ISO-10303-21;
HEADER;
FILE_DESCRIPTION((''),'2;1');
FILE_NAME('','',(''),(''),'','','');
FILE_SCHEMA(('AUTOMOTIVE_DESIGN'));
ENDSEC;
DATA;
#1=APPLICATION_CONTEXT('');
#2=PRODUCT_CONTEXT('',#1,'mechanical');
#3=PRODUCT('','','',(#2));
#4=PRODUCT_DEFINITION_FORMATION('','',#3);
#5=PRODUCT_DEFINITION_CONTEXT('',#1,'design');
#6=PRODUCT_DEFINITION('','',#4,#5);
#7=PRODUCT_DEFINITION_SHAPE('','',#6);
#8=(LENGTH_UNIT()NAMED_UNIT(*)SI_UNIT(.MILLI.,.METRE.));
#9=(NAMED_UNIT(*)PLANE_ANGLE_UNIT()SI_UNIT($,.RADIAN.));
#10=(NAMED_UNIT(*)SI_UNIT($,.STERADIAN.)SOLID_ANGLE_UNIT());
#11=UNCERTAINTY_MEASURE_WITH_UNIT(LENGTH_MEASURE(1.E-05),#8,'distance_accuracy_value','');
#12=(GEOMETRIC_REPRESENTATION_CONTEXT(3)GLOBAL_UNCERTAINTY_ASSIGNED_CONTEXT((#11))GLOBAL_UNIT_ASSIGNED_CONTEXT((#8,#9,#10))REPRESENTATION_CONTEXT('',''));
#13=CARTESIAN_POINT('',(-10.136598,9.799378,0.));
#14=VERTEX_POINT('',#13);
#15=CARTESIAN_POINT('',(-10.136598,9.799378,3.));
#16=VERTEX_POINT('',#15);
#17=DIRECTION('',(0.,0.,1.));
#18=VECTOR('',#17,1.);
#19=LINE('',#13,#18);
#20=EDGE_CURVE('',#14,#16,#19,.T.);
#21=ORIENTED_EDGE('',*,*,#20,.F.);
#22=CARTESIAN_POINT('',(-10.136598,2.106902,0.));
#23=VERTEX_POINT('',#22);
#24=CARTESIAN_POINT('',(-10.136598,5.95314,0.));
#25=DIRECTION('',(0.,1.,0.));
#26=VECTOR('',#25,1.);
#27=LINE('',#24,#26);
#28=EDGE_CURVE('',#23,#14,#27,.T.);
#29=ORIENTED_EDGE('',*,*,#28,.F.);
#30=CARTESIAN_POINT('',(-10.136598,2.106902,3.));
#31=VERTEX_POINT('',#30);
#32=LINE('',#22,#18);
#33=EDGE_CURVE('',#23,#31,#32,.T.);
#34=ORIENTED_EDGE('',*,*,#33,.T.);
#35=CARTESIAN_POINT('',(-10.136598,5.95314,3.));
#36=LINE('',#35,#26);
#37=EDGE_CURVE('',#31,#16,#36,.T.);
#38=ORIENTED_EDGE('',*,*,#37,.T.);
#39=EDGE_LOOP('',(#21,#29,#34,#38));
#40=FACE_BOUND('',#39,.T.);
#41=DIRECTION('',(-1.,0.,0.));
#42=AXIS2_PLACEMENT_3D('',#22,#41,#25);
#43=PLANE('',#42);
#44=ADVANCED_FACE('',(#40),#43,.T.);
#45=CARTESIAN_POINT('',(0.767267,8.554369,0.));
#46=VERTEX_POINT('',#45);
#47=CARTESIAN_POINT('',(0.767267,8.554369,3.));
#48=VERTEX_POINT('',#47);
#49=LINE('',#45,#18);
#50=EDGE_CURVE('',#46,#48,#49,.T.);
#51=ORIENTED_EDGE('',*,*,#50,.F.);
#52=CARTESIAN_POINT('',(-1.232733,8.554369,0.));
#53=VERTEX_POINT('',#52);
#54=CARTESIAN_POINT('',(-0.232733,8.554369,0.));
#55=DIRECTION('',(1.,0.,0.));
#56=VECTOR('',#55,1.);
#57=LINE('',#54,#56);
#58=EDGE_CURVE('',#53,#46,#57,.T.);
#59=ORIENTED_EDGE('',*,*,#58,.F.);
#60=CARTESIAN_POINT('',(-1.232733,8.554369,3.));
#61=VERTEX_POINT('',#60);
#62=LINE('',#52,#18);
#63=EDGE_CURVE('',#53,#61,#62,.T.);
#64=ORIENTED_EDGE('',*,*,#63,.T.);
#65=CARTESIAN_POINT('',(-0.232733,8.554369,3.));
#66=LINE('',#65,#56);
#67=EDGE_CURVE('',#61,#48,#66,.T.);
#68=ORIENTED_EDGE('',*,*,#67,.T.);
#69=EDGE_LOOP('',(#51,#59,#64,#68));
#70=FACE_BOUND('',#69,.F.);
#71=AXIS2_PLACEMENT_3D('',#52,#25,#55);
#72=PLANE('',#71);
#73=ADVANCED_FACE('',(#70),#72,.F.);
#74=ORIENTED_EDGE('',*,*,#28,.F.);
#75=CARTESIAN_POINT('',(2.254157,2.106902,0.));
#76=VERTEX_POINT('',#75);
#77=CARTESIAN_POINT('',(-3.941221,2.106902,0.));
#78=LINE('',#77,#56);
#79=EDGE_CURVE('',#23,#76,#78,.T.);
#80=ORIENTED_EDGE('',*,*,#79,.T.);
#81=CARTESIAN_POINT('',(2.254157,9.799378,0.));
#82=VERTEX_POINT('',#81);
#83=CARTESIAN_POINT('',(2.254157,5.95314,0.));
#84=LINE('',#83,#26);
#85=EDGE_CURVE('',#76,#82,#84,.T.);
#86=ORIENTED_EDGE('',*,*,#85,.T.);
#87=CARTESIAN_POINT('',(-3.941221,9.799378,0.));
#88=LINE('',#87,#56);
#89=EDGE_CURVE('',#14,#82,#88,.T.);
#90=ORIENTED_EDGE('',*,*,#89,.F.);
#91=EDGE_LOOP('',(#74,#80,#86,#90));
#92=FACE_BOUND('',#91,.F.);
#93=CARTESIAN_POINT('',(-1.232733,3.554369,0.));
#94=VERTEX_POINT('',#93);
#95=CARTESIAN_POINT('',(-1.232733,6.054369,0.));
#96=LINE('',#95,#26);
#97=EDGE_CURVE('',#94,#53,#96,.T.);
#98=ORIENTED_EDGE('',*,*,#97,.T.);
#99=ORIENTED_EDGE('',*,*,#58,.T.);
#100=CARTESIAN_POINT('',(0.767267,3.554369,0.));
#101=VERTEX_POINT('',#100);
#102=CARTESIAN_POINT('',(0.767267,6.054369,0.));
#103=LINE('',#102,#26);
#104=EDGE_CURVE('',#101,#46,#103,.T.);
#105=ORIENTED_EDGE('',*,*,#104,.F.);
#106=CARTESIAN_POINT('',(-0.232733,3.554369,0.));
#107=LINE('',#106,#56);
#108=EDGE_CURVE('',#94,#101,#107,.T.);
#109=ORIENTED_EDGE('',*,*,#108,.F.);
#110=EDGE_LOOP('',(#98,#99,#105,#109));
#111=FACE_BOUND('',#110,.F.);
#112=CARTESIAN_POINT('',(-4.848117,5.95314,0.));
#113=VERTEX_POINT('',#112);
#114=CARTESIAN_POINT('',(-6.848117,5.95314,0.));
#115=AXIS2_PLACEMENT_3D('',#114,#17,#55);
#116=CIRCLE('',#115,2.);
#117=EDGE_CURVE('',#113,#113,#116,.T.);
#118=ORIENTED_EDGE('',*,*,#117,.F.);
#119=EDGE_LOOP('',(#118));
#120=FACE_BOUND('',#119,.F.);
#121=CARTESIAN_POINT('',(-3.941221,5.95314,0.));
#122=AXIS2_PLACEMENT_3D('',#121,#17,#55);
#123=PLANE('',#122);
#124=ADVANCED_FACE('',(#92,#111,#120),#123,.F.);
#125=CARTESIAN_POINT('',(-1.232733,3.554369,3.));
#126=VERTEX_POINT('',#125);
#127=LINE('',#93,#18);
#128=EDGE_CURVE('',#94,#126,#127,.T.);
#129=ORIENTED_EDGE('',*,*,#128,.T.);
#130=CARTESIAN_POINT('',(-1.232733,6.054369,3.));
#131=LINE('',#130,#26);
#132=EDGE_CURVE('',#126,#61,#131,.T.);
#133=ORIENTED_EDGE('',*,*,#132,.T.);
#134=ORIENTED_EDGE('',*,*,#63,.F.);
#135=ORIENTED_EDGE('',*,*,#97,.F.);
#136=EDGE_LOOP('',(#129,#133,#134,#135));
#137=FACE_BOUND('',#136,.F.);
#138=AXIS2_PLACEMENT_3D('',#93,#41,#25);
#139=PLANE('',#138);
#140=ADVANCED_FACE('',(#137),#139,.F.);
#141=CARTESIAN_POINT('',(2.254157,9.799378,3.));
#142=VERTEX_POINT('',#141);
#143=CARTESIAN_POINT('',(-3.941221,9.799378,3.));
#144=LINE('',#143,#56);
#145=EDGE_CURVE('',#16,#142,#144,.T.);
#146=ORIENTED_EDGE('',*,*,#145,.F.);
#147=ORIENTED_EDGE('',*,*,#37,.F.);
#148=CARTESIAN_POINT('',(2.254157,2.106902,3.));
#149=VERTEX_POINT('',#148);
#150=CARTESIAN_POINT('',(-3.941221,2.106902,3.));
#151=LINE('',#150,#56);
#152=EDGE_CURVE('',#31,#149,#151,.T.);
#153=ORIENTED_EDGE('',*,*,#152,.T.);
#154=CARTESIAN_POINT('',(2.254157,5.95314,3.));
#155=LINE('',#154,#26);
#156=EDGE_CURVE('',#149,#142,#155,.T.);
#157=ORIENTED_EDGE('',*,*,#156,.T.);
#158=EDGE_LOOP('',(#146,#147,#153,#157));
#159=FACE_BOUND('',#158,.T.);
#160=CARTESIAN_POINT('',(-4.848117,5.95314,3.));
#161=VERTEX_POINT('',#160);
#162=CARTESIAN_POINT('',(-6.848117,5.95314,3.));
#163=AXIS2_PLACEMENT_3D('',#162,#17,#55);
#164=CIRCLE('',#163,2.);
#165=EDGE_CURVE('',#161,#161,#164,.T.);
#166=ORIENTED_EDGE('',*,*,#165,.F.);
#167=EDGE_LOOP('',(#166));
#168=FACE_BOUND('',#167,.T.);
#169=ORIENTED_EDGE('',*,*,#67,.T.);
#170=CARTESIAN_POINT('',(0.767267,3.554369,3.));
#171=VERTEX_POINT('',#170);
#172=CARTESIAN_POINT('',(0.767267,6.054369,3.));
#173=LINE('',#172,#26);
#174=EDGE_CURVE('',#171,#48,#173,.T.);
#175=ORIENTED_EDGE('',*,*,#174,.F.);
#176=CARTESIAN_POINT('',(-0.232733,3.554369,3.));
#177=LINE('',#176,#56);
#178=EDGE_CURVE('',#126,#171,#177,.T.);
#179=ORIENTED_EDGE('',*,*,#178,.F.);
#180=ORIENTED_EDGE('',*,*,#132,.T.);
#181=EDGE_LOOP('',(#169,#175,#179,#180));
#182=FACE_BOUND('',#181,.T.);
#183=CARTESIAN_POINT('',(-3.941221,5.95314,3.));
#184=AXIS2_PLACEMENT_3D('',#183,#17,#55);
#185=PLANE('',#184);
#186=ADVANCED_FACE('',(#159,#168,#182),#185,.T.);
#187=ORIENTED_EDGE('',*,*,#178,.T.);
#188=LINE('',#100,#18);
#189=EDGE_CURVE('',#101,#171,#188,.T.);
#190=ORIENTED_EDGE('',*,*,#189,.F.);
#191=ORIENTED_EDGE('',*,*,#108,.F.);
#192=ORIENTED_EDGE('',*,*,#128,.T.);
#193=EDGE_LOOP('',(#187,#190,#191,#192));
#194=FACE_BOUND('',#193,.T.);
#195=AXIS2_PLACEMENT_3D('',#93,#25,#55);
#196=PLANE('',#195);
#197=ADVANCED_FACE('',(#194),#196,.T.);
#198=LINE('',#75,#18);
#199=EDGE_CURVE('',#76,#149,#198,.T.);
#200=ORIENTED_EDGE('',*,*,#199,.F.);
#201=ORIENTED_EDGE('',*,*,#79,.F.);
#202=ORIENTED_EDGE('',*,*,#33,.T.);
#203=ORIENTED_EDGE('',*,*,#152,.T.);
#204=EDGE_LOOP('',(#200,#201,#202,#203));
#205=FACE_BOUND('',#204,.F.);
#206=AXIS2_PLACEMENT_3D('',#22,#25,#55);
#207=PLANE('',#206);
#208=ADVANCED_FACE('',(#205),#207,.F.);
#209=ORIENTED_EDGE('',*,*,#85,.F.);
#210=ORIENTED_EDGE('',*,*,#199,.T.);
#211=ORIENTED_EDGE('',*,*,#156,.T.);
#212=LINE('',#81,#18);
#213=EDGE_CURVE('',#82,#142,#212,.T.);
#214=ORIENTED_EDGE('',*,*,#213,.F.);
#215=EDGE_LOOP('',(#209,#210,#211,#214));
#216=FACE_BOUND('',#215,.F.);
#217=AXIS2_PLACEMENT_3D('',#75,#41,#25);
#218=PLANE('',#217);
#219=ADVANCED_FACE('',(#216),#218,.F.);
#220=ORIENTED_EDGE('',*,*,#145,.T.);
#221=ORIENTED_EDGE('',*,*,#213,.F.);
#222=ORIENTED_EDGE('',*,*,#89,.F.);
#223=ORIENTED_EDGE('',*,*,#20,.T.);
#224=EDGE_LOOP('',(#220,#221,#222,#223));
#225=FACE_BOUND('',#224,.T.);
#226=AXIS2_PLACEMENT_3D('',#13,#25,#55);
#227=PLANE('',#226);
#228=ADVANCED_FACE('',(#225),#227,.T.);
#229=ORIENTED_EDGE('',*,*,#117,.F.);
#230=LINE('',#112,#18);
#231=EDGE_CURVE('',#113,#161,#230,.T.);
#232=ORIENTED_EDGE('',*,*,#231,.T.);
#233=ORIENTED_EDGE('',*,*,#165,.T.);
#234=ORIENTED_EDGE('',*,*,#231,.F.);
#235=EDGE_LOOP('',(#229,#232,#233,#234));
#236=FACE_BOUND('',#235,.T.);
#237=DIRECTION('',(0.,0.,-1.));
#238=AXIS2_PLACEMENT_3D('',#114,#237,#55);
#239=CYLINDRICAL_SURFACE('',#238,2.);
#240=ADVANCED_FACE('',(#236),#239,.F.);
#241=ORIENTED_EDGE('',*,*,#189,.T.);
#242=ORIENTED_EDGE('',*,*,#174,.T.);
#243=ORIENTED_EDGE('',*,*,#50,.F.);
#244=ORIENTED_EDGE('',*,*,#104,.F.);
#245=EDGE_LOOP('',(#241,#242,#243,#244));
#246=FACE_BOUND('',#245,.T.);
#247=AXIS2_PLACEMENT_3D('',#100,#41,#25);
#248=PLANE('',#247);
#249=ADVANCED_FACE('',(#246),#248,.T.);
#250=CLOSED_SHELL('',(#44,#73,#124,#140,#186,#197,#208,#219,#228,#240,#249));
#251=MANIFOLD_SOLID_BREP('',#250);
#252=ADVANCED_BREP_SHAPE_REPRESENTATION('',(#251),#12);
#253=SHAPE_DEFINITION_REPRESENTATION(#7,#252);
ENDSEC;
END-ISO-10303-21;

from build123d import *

# Parameters (mm, degrees)
F0_W     = 12.390755
F0_H     = 7.692476
F0_R     = 2
F0_W_2   = 2
F0_H_2   = 5
F1_DEPTH = 3


with BuildPart() as f1:
    # F0 (on Top) → F1 (new body)
    with BuildSketch(Plane.XY):
        with Locations((-3.941221, 5.95314)):
            Rectangle(F0_W, F0_H)
        with Locations((-6.848117, 5.95314)):
            Circle(F0_R, mode=Mode.SUBTRACT)
        with Locations((-0.232733, 6.054369)):
            Rectangle(F0_W_2, F0_H_2, mode=Mode.SUBTRACT)
    extrude(amount=F1_DEPTH)


solid = f1.part
